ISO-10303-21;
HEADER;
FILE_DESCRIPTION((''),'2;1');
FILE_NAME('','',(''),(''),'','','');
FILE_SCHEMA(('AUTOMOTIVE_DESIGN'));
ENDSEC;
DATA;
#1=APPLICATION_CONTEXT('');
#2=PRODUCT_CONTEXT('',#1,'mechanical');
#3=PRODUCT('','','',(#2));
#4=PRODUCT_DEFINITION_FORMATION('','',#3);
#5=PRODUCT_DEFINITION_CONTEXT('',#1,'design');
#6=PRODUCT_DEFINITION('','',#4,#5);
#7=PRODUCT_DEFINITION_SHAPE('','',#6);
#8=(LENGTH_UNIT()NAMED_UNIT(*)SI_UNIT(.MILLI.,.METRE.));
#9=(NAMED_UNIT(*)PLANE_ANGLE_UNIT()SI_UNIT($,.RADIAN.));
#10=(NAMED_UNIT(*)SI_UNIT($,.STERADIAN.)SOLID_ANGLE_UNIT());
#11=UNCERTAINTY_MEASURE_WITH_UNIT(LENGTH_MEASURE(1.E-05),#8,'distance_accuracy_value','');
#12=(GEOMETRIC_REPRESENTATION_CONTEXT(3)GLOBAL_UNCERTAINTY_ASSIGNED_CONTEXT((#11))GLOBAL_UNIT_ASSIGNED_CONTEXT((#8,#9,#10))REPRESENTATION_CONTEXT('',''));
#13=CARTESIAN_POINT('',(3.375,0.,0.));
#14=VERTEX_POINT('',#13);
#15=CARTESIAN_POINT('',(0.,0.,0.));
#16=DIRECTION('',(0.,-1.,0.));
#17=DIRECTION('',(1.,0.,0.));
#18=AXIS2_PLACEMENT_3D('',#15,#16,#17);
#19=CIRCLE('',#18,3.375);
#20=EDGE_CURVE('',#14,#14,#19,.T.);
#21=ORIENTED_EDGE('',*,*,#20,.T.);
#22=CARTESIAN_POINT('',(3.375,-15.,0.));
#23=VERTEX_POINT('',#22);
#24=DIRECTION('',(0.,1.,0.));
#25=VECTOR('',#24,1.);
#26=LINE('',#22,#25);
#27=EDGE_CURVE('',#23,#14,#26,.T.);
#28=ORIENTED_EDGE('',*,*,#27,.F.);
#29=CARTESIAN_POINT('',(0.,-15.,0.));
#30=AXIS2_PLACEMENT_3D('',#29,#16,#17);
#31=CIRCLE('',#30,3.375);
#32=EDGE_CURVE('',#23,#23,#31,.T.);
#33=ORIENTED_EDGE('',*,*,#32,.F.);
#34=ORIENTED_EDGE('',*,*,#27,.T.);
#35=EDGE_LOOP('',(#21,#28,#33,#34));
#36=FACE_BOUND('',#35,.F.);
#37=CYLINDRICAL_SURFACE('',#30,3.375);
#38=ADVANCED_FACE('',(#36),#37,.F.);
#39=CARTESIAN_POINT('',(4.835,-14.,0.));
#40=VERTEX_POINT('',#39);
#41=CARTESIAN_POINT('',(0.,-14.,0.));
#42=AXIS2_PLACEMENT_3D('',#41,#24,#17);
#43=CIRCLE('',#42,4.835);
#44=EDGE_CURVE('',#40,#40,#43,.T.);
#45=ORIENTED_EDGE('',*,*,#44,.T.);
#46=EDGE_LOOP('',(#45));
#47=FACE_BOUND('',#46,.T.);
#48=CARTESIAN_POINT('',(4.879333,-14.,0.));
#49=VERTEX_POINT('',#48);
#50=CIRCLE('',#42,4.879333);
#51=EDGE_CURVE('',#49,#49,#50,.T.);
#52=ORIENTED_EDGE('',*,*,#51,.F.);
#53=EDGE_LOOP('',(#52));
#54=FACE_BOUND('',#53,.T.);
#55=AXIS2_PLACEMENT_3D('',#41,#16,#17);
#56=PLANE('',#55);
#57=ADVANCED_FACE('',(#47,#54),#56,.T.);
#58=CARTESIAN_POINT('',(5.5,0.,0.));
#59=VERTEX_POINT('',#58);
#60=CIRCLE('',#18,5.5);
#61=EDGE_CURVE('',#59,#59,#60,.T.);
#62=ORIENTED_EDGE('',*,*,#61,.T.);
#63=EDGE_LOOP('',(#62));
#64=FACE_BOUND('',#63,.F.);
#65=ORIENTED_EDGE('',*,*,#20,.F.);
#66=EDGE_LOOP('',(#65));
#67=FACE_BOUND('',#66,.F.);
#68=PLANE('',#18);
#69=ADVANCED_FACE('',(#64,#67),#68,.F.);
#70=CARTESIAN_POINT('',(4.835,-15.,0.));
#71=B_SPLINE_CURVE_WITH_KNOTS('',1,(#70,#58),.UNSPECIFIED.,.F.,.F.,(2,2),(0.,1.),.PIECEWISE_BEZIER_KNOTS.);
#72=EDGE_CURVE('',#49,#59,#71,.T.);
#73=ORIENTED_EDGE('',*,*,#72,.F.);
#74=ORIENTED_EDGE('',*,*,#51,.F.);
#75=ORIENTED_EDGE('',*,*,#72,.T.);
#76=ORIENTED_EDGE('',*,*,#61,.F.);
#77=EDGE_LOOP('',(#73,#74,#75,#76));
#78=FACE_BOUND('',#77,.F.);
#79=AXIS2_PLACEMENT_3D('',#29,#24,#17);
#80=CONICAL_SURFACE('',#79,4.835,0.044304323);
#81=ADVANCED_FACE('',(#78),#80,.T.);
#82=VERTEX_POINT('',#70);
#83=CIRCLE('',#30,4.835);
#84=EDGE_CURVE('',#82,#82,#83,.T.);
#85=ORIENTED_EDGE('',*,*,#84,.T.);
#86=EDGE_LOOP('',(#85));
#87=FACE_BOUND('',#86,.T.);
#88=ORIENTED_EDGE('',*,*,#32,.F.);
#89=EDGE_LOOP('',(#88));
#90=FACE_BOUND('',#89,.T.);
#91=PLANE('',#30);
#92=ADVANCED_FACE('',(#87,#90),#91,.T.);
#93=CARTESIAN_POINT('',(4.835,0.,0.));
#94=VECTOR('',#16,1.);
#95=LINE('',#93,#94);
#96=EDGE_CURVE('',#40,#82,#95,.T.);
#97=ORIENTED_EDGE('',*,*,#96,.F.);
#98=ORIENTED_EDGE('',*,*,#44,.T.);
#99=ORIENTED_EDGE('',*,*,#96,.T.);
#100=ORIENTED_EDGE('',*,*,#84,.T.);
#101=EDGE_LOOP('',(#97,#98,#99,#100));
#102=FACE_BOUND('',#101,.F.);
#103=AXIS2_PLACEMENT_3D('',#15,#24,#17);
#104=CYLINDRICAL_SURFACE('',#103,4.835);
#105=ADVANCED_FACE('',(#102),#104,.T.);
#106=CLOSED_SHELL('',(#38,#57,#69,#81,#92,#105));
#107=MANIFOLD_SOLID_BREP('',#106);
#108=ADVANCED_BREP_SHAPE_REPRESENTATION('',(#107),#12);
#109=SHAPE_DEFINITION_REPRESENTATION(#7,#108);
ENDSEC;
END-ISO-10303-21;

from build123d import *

# Parameters (mm, degrees)
F0_R      = 5.5
F2_DEPTH  = 14
F1_R      = 4.835
F3_DEPTH  = 15
F3_FACE_R = 4.835
F2_FACE_R = 5.5
F5_R      = 3.375
F6_DEPTH  = 16


with BuildPart() as f2:
    # F0 (on Front) → F2 (new body)
    with BuildSketch(Plane.XZ):
        Circle(F0_R)
    extrude(amount=F2_DEPTH)

    # F1 (on Front) → F3 (join)
    with BuildSketch(Plane.XZ):
        Circle(F1_R)
    extrude(amount=F3_DEPTH)

    # F3_face (on face) → F4 section 0
    with BuildSketch(Plane.XZ.offset(15)):
        Circle(F3_FACE_R)
    # F2_face (on face) → F4 section 1
    with BuildSketch(Plane(origin=(0, 0, 0), x_dir=(1, 0, 0), z_dir=(0, 1, 0))):
        Circle(F2_FACE_R)
    loft(mode=Mode.INTERSECT)

    # F5 (on face) → F6 (cut)
    with BuildSketch(Plane.XZ.offset(15)):
        Circle(F5_R)
    extrude(amount=-F6_DEPTH, mode=Mode.SUBTRACT)


solid = f2.part
